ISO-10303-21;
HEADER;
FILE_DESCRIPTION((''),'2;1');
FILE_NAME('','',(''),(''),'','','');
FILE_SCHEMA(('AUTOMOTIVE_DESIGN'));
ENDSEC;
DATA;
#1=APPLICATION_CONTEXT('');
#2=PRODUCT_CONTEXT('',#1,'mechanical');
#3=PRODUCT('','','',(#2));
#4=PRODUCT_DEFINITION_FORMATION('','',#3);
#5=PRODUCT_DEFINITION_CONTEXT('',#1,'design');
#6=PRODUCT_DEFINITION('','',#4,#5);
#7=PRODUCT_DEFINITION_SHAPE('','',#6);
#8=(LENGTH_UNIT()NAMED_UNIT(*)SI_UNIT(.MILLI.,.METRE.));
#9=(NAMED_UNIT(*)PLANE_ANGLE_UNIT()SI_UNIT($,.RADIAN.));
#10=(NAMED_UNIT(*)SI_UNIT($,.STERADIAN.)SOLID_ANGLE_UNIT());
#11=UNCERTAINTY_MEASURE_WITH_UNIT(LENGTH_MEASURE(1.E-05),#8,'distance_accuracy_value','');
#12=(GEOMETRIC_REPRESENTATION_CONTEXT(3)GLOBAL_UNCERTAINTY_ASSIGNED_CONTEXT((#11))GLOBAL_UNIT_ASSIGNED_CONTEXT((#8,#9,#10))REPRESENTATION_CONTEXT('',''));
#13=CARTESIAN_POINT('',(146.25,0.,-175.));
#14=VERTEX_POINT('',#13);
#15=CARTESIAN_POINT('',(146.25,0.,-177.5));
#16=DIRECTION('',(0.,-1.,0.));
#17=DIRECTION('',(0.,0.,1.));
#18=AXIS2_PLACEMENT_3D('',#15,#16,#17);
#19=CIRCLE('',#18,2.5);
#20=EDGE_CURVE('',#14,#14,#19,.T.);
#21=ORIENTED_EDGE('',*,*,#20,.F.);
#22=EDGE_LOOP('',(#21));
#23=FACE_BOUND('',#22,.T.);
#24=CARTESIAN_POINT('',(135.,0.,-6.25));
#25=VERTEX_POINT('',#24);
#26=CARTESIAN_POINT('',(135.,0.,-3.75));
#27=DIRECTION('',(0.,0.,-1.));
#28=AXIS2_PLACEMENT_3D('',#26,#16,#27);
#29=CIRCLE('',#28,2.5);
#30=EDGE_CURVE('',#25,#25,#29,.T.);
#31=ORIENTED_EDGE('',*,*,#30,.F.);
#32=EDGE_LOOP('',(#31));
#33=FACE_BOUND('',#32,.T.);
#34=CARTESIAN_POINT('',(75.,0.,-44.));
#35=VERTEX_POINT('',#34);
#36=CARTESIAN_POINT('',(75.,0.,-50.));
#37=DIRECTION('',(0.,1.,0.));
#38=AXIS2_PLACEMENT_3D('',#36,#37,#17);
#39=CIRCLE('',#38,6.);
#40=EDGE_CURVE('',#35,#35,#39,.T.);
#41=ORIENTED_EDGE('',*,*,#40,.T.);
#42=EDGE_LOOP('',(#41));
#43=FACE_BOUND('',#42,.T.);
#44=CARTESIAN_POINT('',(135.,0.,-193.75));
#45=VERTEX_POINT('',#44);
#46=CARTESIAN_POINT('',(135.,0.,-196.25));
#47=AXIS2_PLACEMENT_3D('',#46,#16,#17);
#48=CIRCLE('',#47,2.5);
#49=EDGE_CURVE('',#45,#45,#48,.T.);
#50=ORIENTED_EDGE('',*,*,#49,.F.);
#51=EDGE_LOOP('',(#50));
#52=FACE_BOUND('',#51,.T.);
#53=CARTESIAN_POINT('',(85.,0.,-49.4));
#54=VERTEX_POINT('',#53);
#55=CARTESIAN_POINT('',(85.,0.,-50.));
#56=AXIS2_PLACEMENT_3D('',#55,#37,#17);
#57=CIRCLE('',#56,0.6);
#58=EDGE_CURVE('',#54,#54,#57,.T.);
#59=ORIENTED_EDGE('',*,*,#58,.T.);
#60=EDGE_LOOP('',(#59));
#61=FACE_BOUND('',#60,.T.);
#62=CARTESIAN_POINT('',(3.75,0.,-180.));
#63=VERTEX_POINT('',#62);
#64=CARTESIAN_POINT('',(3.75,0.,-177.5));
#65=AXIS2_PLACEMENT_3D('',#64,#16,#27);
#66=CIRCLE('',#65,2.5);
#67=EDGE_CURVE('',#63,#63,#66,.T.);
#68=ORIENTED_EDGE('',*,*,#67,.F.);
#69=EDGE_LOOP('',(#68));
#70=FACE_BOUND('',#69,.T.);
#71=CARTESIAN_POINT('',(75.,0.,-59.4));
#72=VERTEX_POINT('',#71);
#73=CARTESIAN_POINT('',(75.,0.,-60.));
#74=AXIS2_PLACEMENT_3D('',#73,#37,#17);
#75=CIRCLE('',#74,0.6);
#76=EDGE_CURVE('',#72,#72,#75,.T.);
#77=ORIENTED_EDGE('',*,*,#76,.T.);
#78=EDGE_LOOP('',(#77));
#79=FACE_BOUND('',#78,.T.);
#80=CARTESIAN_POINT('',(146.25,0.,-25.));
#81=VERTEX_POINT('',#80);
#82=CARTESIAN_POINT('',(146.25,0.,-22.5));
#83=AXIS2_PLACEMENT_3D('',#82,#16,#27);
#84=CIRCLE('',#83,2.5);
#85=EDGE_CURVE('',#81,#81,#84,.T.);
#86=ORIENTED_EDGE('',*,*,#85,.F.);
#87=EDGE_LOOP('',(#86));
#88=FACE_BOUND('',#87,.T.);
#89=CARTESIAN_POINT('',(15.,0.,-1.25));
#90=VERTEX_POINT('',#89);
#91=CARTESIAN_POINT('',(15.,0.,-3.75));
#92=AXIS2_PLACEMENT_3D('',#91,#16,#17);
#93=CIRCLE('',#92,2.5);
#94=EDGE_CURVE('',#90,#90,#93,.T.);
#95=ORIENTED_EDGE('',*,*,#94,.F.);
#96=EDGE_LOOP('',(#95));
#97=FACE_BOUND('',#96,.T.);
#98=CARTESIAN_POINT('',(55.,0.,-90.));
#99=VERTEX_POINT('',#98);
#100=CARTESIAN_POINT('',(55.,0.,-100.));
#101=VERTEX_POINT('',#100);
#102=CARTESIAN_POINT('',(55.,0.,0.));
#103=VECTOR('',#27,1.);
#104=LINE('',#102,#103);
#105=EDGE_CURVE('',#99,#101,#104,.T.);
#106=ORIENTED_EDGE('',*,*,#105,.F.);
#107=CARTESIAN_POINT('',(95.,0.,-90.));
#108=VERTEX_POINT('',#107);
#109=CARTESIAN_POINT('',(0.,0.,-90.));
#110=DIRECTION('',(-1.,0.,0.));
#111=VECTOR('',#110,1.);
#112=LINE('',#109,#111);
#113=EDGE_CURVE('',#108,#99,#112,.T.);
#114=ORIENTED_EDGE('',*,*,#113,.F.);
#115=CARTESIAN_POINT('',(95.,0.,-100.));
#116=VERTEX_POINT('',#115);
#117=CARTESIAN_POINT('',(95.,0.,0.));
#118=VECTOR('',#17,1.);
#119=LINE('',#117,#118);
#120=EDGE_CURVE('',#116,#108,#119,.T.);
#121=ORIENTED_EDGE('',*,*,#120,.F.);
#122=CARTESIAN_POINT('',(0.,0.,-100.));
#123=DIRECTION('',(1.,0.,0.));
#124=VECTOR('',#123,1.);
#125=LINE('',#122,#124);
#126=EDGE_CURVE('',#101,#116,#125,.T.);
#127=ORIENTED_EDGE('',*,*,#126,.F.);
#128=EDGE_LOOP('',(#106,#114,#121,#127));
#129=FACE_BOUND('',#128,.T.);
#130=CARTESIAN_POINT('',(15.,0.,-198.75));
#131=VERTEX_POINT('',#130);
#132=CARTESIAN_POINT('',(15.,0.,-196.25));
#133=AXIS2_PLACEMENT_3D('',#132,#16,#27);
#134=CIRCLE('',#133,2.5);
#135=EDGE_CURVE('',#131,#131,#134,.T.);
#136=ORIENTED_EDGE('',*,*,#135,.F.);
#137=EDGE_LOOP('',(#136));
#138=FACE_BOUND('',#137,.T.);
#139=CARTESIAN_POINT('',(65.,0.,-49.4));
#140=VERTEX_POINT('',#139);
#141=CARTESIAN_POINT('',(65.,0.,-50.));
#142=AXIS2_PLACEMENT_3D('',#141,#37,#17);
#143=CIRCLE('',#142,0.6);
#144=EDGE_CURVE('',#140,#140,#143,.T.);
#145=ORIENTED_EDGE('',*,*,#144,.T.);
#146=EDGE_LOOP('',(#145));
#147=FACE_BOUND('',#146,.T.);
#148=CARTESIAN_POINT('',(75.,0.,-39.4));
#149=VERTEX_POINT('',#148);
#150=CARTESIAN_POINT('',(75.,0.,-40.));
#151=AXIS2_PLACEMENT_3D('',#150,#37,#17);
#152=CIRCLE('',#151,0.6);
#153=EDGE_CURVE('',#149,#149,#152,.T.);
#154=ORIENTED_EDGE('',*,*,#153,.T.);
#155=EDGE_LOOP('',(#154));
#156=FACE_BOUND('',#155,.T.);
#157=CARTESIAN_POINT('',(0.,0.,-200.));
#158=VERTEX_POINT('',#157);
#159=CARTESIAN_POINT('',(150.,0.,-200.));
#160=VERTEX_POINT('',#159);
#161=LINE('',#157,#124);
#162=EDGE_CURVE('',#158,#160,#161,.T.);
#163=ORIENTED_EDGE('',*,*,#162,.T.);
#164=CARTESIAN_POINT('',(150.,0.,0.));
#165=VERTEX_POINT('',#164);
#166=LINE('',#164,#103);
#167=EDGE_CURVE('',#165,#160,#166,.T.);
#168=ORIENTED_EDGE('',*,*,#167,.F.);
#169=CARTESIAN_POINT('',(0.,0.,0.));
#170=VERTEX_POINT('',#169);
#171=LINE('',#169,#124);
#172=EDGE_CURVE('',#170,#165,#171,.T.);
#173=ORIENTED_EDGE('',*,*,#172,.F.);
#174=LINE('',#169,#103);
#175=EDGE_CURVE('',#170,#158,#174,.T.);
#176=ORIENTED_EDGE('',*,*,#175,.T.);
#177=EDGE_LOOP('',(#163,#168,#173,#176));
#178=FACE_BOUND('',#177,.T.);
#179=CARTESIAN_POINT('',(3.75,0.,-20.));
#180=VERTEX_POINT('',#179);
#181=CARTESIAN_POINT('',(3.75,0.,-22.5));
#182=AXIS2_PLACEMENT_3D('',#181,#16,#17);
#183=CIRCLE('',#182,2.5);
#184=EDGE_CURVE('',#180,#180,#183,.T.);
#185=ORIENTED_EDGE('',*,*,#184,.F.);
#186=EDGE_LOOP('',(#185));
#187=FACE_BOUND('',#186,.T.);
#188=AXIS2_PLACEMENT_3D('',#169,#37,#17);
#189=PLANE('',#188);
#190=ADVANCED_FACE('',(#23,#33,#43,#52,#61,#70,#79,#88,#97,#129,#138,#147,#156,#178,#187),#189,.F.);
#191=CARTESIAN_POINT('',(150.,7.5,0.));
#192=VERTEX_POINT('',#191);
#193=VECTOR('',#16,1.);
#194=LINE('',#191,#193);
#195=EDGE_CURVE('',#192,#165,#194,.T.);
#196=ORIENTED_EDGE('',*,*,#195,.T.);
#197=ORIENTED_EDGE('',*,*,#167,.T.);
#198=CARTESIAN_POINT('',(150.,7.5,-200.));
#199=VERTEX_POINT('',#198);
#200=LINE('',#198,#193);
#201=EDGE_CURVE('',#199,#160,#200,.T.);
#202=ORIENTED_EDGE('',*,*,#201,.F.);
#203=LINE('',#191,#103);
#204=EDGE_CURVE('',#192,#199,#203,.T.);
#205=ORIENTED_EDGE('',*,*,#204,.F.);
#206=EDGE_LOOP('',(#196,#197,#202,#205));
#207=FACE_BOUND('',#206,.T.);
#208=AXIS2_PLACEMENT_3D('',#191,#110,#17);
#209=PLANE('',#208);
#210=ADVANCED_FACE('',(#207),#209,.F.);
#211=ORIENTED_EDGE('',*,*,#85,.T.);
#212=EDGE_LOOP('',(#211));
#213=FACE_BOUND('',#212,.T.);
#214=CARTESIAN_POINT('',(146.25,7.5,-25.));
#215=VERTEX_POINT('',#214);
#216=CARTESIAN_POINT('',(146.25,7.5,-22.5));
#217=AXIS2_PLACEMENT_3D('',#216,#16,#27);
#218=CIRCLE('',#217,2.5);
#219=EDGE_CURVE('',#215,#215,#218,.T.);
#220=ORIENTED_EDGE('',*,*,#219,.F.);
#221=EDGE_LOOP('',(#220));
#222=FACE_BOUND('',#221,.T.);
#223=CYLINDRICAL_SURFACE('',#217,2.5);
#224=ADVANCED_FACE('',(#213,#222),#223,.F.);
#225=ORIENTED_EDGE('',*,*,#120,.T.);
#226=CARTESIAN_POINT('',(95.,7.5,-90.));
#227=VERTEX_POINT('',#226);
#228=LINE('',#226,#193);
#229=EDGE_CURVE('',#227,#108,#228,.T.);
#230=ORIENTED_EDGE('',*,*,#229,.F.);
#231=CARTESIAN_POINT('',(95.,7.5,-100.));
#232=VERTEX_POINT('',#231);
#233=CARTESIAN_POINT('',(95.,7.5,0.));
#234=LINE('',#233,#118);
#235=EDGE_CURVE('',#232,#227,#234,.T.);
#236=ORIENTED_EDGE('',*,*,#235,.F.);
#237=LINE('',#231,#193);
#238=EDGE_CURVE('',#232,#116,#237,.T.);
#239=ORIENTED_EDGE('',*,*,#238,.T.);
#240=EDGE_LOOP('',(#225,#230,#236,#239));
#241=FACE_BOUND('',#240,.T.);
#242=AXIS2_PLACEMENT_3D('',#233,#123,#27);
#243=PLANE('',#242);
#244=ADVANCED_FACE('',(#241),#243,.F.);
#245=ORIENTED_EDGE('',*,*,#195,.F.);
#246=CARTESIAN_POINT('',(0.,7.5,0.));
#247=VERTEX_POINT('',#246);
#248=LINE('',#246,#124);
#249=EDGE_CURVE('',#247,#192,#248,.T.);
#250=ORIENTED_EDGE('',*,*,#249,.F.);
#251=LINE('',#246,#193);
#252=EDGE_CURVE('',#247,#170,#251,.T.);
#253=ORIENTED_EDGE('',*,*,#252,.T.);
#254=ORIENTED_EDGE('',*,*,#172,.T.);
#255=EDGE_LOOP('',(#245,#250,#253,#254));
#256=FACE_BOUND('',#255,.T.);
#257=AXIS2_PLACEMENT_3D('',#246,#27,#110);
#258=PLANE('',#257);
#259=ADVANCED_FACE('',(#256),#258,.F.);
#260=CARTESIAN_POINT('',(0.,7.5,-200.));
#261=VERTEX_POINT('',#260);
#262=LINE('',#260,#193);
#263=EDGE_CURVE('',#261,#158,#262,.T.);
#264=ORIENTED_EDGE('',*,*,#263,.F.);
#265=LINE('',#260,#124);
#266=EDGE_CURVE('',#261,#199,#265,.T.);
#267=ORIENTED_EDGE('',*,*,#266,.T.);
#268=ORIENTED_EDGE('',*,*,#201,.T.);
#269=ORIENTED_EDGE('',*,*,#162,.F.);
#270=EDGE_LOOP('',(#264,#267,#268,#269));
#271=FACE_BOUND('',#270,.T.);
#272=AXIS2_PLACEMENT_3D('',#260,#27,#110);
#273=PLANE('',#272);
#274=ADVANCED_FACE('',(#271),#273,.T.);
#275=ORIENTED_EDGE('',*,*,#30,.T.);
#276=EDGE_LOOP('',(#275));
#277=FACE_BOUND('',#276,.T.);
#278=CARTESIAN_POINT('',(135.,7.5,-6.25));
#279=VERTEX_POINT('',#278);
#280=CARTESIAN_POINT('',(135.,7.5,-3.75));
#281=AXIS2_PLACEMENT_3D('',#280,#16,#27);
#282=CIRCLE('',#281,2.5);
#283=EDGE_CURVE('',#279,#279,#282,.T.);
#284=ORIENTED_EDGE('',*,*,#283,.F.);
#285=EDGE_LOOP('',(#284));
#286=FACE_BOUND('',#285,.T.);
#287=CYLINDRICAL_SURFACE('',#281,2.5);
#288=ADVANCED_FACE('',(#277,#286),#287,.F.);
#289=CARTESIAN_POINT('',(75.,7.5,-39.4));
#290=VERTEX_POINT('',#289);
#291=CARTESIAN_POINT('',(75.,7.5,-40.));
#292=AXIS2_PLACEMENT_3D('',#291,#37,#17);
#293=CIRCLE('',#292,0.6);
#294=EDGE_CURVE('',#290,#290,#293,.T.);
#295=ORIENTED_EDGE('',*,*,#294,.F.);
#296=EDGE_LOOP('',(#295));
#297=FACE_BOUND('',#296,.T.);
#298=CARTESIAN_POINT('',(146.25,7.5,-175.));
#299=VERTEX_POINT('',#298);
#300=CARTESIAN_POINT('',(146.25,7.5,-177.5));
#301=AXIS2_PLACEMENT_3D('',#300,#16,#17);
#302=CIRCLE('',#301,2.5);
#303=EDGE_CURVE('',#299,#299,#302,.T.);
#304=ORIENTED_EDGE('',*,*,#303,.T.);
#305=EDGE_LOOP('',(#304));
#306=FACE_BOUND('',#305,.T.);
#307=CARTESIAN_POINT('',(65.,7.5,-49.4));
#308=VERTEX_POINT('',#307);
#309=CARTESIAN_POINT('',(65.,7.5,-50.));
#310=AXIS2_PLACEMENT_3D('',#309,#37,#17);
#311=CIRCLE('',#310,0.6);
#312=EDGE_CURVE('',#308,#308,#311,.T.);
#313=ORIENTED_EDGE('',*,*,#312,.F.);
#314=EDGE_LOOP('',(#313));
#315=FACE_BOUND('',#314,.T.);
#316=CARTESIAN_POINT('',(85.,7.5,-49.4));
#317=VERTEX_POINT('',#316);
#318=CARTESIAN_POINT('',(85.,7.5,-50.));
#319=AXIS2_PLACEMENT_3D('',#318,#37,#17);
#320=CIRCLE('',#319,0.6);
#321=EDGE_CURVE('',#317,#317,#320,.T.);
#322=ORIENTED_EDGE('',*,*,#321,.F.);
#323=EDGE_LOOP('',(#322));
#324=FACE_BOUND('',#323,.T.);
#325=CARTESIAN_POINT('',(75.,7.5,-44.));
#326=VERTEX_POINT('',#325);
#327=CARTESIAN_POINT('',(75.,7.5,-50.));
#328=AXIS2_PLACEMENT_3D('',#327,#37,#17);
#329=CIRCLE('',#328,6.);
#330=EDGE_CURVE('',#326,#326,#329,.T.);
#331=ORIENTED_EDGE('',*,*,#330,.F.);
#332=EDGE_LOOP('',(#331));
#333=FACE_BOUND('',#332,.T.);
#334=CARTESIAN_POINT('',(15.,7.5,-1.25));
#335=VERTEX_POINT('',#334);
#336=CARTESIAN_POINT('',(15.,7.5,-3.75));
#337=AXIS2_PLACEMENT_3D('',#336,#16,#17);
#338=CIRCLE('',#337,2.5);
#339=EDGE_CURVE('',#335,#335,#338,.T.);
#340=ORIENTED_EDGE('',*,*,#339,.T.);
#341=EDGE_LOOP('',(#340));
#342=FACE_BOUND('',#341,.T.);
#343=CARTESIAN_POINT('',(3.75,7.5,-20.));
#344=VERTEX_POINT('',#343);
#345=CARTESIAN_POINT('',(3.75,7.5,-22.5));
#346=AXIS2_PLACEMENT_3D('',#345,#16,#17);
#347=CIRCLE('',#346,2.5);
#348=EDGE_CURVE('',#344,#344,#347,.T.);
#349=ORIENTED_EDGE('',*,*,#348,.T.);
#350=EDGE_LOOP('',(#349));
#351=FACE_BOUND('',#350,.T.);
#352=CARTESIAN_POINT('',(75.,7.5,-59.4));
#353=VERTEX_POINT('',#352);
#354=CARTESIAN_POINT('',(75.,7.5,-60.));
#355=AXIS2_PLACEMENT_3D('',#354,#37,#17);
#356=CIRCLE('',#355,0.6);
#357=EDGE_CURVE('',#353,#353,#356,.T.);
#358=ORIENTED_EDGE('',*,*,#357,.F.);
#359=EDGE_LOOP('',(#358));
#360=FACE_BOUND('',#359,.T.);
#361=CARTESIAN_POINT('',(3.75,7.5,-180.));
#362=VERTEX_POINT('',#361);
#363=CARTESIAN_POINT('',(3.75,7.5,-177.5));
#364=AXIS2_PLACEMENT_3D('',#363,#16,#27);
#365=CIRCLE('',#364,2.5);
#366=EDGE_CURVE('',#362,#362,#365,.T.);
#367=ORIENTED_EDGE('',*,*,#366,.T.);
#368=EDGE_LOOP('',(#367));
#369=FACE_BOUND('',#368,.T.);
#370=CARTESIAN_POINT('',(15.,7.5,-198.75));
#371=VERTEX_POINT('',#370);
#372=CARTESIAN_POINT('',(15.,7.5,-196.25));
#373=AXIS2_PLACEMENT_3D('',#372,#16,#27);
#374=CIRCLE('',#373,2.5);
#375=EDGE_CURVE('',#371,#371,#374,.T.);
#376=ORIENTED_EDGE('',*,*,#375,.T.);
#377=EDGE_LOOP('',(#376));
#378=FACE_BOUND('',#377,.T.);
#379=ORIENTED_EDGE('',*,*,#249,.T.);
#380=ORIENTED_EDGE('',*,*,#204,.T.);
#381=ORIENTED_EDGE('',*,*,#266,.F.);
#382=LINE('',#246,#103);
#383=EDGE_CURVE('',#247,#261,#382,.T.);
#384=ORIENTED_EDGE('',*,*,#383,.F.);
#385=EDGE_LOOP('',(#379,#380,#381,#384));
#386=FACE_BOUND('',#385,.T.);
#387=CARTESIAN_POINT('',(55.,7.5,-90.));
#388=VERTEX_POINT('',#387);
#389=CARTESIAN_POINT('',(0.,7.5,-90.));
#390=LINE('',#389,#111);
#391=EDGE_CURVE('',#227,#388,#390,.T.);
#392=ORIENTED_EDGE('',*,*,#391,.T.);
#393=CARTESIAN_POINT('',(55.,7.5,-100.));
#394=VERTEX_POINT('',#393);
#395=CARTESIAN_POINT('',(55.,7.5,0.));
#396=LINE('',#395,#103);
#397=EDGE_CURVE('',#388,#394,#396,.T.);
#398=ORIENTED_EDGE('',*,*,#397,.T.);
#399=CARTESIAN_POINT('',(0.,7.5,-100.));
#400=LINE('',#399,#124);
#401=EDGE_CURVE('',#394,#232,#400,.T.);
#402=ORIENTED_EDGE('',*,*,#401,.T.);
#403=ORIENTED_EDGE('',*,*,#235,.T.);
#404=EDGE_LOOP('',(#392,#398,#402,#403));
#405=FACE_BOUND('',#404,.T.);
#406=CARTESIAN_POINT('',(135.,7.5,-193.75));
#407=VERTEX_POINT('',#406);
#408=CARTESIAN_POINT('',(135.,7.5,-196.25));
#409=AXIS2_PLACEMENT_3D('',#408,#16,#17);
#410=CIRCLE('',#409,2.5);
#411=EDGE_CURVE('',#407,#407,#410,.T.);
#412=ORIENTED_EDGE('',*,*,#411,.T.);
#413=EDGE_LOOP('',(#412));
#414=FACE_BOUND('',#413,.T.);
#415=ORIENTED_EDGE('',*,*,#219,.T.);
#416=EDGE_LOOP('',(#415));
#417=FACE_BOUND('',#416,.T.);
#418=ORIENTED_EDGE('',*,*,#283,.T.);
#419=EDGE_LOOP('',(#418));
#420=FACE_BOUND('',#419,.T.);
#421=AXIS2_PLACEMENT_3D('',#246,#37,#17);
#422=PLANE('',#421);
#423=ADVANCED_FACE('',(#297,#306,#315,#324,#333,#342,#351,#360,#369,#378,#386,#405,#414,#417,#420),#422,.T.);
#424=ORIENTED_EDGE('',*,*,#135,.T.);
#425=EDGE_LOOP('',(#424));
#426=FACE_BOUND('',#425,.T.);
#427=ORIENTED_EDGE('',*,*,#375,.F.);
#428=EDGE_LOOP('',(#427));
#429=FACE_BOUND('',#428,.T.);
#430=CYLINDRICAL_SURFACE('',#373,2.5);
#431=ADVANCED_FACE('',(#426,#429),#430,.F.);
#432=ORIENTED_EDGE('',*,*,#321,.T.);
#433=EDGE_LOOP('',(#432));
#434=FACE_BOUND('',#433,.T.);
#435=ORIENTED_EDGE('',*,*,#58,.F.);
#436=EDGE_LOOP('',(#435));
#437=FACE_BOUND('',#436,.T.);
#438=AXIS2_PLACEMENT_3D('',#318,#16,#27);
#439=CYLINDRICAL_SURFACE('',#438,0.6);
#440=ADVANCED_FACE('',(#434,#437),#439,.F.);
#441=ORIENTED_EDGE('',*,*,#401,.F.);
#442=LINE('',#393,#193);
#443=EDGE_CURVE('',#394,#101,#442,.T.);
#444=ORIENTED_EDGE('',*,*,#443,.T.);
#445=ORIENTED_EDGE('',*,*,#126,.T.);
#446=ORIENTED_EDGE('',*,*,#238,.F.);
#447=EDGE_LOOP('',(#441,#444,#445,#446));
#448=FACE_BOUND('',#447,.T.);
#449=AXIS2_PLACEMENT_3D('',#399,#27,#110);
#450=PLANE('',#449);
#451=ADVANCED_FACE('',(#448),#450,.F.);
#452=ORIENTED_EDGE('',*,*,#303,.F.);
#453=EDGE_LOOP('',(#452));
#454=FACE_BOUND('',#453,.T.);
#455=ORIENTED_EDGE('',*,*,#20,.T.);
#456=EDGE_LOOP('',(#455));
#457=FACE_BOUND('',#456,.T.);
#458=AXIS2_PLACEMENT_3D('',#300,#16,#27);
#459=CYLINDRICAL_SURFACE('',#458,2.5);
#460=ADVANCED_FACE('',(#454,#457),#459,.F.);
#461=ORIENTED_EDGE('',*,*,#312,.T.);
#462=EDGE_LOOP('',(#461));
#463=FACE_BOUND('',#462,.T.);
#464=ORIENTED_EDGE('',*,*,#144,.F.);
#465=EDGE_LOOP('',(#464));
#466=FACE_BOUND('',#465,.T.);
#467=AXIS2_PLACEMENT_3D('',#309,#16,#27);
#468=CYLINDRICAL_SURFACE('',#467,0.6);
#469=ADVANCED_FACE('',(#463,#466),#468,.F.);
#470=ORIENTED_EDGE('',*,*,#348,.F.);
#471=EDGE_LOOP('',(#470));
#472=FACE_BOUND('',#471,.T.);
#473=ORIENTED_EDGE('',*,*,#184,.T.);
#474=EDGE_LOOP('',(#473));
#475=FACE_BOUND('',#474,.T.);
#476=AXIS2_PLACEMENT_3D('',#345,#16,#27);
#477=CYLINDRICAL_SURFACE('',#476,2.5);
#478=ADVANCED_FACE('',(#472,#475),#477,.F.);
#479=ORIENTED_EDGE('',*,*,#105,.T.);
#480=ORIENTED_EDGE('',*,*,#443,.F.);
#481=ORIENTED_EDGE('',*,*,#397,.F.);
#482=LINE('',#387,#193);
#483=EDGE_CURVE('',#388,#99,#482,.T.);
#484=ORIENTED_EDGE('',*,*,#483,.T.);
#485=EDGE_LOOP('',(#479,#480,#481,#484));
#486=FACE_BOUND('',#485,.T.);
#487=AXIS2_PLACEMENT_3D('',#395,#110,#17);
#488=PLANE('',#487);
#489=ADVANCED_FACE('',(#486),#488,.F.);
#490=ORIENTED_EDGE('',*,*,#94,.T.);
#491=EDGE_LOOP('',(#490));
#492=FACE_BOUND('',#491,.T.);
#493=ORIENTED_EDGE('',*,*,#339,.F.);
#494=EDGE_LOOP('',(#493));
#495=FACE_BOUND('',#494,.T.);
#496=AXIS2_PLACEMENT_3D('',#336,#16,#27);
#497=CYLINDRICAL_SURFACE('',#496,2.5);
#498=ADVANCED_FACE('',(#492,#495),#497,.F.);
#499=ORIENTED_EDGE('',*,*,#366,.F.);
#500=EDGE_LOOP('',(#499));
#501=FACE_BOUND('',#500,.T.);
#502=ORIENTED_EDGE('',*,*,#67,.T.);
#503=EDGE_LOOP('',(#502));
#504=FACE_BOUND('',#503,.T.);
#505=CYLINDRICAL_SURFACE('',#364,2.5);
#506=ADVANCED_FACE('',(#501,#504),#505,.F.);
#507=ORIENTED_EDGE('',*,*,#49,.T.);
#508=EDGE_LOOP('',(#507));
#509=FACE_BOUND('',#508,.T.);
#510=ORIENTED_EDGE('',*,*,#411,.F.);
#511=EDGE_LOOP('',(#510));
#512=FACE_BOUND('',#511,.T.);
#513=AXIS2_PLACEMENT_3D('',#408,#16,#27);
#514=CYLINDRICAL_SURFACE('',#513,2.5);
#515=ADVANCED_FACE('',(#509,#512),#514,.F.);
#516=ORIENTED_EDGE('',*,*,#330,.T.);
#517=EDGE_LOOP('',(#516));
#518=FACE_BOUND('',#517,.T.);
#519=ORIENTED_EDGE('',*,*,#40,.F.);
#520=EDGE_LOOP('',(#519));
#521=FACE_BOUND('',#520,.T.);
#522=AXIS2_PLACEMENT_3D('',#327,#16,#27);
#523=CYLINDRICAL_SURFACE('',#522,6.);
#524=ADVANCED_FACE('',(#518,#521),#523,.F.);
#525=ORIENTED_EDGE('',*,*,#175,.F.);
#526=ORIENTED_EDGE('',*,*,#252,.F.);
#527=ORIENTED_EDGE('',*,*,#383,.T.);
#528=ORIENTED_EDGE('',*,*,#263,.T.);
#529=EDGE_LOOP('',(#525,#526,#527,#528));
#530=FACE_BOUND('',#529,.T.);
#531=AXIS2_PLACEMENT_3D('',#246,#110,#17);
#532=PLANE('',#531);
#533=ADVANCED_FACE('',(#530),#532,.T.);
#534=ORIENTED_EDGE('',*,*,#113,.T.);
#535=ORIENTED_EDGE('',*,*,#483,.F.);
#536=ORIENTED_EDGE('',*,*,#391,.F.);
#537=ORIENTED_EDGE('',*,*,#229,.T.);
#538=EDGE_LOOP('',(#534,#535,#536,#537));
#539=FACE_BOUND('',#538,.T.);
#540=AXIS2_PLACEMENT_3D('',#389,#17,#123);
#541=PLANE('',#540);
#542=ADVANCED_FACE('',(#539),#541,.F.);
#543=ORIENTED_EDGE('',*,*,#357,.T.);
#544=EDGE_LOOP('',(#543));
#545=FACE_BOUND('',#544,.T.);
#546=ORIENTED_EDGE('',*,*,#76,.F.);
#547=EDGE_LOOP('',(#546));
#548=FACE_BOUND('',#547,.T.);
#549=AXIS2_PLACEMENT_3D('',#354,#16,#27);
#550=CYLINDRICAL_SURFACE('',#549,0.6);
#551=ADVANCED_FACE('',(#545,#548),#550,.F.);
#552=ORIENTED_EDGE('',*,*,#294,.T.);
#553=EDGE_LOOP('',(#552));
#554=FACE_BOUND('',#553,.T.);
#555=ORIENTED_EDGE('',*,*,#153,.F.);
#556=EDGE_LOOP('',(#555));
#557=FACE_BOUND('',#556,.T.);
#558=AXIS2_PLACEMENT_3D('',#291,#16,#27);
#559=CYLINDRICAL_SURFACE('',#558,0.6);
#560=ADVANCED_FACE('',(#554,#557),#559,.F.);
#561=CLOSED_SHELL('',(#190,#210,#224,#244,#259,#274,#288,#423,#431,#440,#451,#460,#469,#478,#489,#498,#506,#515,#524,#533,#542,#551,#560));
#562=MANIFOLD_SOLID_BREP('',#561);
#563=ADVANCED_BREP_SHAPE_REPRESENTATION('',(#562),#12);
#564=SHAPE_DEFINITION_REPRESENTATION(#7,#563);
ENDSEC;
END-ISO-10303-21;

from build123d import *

# Parameters (mm, degrees)
CROQUIS1_R              = 0.6
CROQUIS1_R_2            = 6
SALIENTE_EXTRUIR2_DEPTH = 7.5
CROQUIS4_R              = 2.5
CORTAR_EXTRUIR1_DEPTH   = 7.5


with BuildPart() as part:
    # Croquis1 → Saliente-Extruir2 (new body)
    with BuildSketch(Plane(origin=(0, 0, 0), x_dir=(1, 0, 0), z_dir=(0, 1, 0))):
        Polygon((0, 200), (0, 100), (55, 100), (95, 100), (150, 100), (150, 200), align=None)
        Polygon((55, 100), (0, 100), (0, 0), (150, 0), (150, 100), (95, 100), (95, 90), (75, 90), (55, 90), align=None)
        with Locations((75, 40)):
            Circle(CROQUIS1_R, mode=Mode.SUBTRACT)
        with Locations((65, 50)):
            Circle(CROQUIS1_R, mode=Mode.SUBTRACT)
        with Locations((75, 50)):
            Circle(CROQUIS1_R_2, mode=Mode.SUBTRACT)
        with Locations((75, 60)):
            Circle(CROQUIS1_R, mode=Mode.SUBTRACT)
        with Locations((85, 50)):
            Circle(CROQUIS1_R, mode=Mode.SUBTRACT)
    extrude(amount=SALIENTE_EXTRUIR2_DEPTH)

    # Croquis4 → Cortar-Extruir1 (cut)
    with BuildSketch(Plane.XZ):
        with Locations((135, -3.75)):
            Circle(CROQUIS4_R)
        with Locations((146.25, -22.5)):
            Circle(CROQUIS4_R)
        with Locations((3.75, -22.5)):
            Circle(CROQUIS4_R)
        with Locations((15, -3.75)):
            Circle(CROQUIS4_R)
        with Locations((146.25, -177.5)):
            Circle(CROQUIS4_R)
        with Locations((135, -196.25)):
            Circle(CROQUIS4_R)
        with Locations((3.75, -177.5)):
            Circle(CROQUIS4_R)
        with Locations((15, -196.25)):
            Circle(CROQUIS4_R)
    extrude(amount=-CORTAR_EXTRUIR1_DEPTH, mode=Mode.SUBTRACT)


solid = part.part
